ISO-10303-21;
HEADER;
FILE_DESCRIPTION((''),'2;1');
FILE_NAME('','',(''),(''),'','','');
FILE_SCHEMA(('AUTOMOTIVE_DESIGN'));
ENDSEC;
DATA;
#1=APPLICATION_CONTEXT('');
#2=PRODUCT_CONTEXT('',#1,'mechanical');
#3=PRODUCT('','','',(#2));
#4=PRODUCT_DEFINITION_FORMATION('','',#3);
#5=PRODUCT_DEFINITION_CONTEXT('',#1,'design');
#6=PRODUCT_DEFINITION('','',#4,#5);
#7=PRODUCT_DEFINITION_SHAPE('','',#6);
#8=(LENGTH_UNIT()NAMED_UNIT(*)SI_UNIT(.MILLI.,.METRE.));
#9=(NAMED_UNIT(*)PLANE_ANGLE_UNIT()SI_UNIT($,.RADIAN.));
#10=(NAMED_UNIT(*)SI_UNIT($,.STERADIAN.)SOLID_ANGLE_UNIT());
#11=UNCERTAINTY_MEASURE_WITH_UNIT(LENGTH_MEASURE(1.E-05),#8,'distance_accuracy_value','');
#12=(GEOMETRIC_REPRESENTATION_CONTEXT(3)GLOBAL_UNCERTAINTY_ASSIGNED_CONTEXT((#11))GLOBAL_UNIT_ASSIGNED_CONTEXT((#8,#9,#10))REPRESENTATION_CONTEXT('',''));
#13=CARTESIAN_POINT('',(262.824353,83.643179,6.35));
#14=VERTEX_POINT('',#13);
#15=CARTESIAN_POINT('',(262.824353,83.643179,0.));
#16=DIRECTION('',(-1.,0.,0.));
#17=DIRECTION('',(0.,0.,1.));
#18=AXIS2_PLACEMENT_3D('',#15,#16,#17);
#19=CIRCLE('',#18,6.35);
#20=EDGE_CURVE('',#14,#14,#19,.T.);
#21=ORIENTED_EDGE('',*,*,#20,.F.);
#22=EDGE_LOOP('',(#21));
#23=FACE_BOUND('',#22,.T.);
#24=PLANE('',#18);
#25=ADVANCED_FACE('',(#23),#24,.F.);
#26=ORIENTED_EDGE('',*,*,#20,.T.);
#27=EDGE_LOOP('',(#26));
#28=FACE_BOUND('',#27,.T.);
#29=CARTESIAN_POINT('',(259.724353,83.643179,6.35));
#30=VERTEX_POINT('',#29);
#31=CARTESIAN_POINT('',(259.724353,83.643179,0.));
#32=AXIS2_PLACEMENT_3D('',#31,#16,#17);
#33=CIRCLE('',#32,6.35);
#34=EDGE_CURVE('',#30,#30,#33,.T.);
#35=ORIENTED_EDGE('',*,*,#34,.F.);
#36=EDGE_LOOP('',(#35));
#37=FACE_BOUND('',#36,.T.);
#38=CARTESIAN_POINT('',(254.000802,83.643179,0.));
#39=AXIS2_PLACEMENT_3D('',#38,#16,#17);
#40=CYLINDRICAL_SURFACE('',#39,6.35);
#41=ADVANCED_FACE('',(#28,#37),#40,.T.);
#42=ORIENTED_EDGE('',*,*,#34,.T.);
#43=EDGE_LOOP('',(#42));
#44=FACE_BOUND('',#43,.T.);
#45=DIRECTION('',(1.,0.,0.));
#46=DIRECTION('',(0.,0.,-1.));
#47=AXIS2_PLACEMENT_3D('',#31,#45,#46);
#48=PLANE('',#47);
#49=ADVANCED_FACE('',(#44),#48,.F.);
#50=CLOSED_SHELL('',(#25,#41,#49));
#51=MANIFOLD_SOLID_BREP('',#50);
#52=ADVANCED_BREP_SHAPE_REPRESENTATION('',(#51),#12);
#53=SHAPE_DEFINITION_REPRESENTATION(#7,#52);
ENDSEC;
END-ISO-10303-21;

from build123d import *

# Parameters (mm, degrees)
SKETCH_1_W = 3.1
SKETCH_1_H = 6.35


with BuildPart() as part:
    # 草图1 → 旋转1 (revolve)
    with BuildSketch(Plane.XY, mode=Mode.PRIVATE) as revolve_1_sk:
        with Locations((261.274352893, 86.818179349)):
            Rectangle(SKETCH_1_W, SKETCH_1_H)
    revolve(revolve_1_sk.sketch.rotate(Axis((254.000801993, 83.643179349, 0), (1, 0, 0)), 90), axis=Axis((254.000801993, 83.643179349, 0), (1, 0, 0)))  # turned: the seam where the file's is


solid = part.part
